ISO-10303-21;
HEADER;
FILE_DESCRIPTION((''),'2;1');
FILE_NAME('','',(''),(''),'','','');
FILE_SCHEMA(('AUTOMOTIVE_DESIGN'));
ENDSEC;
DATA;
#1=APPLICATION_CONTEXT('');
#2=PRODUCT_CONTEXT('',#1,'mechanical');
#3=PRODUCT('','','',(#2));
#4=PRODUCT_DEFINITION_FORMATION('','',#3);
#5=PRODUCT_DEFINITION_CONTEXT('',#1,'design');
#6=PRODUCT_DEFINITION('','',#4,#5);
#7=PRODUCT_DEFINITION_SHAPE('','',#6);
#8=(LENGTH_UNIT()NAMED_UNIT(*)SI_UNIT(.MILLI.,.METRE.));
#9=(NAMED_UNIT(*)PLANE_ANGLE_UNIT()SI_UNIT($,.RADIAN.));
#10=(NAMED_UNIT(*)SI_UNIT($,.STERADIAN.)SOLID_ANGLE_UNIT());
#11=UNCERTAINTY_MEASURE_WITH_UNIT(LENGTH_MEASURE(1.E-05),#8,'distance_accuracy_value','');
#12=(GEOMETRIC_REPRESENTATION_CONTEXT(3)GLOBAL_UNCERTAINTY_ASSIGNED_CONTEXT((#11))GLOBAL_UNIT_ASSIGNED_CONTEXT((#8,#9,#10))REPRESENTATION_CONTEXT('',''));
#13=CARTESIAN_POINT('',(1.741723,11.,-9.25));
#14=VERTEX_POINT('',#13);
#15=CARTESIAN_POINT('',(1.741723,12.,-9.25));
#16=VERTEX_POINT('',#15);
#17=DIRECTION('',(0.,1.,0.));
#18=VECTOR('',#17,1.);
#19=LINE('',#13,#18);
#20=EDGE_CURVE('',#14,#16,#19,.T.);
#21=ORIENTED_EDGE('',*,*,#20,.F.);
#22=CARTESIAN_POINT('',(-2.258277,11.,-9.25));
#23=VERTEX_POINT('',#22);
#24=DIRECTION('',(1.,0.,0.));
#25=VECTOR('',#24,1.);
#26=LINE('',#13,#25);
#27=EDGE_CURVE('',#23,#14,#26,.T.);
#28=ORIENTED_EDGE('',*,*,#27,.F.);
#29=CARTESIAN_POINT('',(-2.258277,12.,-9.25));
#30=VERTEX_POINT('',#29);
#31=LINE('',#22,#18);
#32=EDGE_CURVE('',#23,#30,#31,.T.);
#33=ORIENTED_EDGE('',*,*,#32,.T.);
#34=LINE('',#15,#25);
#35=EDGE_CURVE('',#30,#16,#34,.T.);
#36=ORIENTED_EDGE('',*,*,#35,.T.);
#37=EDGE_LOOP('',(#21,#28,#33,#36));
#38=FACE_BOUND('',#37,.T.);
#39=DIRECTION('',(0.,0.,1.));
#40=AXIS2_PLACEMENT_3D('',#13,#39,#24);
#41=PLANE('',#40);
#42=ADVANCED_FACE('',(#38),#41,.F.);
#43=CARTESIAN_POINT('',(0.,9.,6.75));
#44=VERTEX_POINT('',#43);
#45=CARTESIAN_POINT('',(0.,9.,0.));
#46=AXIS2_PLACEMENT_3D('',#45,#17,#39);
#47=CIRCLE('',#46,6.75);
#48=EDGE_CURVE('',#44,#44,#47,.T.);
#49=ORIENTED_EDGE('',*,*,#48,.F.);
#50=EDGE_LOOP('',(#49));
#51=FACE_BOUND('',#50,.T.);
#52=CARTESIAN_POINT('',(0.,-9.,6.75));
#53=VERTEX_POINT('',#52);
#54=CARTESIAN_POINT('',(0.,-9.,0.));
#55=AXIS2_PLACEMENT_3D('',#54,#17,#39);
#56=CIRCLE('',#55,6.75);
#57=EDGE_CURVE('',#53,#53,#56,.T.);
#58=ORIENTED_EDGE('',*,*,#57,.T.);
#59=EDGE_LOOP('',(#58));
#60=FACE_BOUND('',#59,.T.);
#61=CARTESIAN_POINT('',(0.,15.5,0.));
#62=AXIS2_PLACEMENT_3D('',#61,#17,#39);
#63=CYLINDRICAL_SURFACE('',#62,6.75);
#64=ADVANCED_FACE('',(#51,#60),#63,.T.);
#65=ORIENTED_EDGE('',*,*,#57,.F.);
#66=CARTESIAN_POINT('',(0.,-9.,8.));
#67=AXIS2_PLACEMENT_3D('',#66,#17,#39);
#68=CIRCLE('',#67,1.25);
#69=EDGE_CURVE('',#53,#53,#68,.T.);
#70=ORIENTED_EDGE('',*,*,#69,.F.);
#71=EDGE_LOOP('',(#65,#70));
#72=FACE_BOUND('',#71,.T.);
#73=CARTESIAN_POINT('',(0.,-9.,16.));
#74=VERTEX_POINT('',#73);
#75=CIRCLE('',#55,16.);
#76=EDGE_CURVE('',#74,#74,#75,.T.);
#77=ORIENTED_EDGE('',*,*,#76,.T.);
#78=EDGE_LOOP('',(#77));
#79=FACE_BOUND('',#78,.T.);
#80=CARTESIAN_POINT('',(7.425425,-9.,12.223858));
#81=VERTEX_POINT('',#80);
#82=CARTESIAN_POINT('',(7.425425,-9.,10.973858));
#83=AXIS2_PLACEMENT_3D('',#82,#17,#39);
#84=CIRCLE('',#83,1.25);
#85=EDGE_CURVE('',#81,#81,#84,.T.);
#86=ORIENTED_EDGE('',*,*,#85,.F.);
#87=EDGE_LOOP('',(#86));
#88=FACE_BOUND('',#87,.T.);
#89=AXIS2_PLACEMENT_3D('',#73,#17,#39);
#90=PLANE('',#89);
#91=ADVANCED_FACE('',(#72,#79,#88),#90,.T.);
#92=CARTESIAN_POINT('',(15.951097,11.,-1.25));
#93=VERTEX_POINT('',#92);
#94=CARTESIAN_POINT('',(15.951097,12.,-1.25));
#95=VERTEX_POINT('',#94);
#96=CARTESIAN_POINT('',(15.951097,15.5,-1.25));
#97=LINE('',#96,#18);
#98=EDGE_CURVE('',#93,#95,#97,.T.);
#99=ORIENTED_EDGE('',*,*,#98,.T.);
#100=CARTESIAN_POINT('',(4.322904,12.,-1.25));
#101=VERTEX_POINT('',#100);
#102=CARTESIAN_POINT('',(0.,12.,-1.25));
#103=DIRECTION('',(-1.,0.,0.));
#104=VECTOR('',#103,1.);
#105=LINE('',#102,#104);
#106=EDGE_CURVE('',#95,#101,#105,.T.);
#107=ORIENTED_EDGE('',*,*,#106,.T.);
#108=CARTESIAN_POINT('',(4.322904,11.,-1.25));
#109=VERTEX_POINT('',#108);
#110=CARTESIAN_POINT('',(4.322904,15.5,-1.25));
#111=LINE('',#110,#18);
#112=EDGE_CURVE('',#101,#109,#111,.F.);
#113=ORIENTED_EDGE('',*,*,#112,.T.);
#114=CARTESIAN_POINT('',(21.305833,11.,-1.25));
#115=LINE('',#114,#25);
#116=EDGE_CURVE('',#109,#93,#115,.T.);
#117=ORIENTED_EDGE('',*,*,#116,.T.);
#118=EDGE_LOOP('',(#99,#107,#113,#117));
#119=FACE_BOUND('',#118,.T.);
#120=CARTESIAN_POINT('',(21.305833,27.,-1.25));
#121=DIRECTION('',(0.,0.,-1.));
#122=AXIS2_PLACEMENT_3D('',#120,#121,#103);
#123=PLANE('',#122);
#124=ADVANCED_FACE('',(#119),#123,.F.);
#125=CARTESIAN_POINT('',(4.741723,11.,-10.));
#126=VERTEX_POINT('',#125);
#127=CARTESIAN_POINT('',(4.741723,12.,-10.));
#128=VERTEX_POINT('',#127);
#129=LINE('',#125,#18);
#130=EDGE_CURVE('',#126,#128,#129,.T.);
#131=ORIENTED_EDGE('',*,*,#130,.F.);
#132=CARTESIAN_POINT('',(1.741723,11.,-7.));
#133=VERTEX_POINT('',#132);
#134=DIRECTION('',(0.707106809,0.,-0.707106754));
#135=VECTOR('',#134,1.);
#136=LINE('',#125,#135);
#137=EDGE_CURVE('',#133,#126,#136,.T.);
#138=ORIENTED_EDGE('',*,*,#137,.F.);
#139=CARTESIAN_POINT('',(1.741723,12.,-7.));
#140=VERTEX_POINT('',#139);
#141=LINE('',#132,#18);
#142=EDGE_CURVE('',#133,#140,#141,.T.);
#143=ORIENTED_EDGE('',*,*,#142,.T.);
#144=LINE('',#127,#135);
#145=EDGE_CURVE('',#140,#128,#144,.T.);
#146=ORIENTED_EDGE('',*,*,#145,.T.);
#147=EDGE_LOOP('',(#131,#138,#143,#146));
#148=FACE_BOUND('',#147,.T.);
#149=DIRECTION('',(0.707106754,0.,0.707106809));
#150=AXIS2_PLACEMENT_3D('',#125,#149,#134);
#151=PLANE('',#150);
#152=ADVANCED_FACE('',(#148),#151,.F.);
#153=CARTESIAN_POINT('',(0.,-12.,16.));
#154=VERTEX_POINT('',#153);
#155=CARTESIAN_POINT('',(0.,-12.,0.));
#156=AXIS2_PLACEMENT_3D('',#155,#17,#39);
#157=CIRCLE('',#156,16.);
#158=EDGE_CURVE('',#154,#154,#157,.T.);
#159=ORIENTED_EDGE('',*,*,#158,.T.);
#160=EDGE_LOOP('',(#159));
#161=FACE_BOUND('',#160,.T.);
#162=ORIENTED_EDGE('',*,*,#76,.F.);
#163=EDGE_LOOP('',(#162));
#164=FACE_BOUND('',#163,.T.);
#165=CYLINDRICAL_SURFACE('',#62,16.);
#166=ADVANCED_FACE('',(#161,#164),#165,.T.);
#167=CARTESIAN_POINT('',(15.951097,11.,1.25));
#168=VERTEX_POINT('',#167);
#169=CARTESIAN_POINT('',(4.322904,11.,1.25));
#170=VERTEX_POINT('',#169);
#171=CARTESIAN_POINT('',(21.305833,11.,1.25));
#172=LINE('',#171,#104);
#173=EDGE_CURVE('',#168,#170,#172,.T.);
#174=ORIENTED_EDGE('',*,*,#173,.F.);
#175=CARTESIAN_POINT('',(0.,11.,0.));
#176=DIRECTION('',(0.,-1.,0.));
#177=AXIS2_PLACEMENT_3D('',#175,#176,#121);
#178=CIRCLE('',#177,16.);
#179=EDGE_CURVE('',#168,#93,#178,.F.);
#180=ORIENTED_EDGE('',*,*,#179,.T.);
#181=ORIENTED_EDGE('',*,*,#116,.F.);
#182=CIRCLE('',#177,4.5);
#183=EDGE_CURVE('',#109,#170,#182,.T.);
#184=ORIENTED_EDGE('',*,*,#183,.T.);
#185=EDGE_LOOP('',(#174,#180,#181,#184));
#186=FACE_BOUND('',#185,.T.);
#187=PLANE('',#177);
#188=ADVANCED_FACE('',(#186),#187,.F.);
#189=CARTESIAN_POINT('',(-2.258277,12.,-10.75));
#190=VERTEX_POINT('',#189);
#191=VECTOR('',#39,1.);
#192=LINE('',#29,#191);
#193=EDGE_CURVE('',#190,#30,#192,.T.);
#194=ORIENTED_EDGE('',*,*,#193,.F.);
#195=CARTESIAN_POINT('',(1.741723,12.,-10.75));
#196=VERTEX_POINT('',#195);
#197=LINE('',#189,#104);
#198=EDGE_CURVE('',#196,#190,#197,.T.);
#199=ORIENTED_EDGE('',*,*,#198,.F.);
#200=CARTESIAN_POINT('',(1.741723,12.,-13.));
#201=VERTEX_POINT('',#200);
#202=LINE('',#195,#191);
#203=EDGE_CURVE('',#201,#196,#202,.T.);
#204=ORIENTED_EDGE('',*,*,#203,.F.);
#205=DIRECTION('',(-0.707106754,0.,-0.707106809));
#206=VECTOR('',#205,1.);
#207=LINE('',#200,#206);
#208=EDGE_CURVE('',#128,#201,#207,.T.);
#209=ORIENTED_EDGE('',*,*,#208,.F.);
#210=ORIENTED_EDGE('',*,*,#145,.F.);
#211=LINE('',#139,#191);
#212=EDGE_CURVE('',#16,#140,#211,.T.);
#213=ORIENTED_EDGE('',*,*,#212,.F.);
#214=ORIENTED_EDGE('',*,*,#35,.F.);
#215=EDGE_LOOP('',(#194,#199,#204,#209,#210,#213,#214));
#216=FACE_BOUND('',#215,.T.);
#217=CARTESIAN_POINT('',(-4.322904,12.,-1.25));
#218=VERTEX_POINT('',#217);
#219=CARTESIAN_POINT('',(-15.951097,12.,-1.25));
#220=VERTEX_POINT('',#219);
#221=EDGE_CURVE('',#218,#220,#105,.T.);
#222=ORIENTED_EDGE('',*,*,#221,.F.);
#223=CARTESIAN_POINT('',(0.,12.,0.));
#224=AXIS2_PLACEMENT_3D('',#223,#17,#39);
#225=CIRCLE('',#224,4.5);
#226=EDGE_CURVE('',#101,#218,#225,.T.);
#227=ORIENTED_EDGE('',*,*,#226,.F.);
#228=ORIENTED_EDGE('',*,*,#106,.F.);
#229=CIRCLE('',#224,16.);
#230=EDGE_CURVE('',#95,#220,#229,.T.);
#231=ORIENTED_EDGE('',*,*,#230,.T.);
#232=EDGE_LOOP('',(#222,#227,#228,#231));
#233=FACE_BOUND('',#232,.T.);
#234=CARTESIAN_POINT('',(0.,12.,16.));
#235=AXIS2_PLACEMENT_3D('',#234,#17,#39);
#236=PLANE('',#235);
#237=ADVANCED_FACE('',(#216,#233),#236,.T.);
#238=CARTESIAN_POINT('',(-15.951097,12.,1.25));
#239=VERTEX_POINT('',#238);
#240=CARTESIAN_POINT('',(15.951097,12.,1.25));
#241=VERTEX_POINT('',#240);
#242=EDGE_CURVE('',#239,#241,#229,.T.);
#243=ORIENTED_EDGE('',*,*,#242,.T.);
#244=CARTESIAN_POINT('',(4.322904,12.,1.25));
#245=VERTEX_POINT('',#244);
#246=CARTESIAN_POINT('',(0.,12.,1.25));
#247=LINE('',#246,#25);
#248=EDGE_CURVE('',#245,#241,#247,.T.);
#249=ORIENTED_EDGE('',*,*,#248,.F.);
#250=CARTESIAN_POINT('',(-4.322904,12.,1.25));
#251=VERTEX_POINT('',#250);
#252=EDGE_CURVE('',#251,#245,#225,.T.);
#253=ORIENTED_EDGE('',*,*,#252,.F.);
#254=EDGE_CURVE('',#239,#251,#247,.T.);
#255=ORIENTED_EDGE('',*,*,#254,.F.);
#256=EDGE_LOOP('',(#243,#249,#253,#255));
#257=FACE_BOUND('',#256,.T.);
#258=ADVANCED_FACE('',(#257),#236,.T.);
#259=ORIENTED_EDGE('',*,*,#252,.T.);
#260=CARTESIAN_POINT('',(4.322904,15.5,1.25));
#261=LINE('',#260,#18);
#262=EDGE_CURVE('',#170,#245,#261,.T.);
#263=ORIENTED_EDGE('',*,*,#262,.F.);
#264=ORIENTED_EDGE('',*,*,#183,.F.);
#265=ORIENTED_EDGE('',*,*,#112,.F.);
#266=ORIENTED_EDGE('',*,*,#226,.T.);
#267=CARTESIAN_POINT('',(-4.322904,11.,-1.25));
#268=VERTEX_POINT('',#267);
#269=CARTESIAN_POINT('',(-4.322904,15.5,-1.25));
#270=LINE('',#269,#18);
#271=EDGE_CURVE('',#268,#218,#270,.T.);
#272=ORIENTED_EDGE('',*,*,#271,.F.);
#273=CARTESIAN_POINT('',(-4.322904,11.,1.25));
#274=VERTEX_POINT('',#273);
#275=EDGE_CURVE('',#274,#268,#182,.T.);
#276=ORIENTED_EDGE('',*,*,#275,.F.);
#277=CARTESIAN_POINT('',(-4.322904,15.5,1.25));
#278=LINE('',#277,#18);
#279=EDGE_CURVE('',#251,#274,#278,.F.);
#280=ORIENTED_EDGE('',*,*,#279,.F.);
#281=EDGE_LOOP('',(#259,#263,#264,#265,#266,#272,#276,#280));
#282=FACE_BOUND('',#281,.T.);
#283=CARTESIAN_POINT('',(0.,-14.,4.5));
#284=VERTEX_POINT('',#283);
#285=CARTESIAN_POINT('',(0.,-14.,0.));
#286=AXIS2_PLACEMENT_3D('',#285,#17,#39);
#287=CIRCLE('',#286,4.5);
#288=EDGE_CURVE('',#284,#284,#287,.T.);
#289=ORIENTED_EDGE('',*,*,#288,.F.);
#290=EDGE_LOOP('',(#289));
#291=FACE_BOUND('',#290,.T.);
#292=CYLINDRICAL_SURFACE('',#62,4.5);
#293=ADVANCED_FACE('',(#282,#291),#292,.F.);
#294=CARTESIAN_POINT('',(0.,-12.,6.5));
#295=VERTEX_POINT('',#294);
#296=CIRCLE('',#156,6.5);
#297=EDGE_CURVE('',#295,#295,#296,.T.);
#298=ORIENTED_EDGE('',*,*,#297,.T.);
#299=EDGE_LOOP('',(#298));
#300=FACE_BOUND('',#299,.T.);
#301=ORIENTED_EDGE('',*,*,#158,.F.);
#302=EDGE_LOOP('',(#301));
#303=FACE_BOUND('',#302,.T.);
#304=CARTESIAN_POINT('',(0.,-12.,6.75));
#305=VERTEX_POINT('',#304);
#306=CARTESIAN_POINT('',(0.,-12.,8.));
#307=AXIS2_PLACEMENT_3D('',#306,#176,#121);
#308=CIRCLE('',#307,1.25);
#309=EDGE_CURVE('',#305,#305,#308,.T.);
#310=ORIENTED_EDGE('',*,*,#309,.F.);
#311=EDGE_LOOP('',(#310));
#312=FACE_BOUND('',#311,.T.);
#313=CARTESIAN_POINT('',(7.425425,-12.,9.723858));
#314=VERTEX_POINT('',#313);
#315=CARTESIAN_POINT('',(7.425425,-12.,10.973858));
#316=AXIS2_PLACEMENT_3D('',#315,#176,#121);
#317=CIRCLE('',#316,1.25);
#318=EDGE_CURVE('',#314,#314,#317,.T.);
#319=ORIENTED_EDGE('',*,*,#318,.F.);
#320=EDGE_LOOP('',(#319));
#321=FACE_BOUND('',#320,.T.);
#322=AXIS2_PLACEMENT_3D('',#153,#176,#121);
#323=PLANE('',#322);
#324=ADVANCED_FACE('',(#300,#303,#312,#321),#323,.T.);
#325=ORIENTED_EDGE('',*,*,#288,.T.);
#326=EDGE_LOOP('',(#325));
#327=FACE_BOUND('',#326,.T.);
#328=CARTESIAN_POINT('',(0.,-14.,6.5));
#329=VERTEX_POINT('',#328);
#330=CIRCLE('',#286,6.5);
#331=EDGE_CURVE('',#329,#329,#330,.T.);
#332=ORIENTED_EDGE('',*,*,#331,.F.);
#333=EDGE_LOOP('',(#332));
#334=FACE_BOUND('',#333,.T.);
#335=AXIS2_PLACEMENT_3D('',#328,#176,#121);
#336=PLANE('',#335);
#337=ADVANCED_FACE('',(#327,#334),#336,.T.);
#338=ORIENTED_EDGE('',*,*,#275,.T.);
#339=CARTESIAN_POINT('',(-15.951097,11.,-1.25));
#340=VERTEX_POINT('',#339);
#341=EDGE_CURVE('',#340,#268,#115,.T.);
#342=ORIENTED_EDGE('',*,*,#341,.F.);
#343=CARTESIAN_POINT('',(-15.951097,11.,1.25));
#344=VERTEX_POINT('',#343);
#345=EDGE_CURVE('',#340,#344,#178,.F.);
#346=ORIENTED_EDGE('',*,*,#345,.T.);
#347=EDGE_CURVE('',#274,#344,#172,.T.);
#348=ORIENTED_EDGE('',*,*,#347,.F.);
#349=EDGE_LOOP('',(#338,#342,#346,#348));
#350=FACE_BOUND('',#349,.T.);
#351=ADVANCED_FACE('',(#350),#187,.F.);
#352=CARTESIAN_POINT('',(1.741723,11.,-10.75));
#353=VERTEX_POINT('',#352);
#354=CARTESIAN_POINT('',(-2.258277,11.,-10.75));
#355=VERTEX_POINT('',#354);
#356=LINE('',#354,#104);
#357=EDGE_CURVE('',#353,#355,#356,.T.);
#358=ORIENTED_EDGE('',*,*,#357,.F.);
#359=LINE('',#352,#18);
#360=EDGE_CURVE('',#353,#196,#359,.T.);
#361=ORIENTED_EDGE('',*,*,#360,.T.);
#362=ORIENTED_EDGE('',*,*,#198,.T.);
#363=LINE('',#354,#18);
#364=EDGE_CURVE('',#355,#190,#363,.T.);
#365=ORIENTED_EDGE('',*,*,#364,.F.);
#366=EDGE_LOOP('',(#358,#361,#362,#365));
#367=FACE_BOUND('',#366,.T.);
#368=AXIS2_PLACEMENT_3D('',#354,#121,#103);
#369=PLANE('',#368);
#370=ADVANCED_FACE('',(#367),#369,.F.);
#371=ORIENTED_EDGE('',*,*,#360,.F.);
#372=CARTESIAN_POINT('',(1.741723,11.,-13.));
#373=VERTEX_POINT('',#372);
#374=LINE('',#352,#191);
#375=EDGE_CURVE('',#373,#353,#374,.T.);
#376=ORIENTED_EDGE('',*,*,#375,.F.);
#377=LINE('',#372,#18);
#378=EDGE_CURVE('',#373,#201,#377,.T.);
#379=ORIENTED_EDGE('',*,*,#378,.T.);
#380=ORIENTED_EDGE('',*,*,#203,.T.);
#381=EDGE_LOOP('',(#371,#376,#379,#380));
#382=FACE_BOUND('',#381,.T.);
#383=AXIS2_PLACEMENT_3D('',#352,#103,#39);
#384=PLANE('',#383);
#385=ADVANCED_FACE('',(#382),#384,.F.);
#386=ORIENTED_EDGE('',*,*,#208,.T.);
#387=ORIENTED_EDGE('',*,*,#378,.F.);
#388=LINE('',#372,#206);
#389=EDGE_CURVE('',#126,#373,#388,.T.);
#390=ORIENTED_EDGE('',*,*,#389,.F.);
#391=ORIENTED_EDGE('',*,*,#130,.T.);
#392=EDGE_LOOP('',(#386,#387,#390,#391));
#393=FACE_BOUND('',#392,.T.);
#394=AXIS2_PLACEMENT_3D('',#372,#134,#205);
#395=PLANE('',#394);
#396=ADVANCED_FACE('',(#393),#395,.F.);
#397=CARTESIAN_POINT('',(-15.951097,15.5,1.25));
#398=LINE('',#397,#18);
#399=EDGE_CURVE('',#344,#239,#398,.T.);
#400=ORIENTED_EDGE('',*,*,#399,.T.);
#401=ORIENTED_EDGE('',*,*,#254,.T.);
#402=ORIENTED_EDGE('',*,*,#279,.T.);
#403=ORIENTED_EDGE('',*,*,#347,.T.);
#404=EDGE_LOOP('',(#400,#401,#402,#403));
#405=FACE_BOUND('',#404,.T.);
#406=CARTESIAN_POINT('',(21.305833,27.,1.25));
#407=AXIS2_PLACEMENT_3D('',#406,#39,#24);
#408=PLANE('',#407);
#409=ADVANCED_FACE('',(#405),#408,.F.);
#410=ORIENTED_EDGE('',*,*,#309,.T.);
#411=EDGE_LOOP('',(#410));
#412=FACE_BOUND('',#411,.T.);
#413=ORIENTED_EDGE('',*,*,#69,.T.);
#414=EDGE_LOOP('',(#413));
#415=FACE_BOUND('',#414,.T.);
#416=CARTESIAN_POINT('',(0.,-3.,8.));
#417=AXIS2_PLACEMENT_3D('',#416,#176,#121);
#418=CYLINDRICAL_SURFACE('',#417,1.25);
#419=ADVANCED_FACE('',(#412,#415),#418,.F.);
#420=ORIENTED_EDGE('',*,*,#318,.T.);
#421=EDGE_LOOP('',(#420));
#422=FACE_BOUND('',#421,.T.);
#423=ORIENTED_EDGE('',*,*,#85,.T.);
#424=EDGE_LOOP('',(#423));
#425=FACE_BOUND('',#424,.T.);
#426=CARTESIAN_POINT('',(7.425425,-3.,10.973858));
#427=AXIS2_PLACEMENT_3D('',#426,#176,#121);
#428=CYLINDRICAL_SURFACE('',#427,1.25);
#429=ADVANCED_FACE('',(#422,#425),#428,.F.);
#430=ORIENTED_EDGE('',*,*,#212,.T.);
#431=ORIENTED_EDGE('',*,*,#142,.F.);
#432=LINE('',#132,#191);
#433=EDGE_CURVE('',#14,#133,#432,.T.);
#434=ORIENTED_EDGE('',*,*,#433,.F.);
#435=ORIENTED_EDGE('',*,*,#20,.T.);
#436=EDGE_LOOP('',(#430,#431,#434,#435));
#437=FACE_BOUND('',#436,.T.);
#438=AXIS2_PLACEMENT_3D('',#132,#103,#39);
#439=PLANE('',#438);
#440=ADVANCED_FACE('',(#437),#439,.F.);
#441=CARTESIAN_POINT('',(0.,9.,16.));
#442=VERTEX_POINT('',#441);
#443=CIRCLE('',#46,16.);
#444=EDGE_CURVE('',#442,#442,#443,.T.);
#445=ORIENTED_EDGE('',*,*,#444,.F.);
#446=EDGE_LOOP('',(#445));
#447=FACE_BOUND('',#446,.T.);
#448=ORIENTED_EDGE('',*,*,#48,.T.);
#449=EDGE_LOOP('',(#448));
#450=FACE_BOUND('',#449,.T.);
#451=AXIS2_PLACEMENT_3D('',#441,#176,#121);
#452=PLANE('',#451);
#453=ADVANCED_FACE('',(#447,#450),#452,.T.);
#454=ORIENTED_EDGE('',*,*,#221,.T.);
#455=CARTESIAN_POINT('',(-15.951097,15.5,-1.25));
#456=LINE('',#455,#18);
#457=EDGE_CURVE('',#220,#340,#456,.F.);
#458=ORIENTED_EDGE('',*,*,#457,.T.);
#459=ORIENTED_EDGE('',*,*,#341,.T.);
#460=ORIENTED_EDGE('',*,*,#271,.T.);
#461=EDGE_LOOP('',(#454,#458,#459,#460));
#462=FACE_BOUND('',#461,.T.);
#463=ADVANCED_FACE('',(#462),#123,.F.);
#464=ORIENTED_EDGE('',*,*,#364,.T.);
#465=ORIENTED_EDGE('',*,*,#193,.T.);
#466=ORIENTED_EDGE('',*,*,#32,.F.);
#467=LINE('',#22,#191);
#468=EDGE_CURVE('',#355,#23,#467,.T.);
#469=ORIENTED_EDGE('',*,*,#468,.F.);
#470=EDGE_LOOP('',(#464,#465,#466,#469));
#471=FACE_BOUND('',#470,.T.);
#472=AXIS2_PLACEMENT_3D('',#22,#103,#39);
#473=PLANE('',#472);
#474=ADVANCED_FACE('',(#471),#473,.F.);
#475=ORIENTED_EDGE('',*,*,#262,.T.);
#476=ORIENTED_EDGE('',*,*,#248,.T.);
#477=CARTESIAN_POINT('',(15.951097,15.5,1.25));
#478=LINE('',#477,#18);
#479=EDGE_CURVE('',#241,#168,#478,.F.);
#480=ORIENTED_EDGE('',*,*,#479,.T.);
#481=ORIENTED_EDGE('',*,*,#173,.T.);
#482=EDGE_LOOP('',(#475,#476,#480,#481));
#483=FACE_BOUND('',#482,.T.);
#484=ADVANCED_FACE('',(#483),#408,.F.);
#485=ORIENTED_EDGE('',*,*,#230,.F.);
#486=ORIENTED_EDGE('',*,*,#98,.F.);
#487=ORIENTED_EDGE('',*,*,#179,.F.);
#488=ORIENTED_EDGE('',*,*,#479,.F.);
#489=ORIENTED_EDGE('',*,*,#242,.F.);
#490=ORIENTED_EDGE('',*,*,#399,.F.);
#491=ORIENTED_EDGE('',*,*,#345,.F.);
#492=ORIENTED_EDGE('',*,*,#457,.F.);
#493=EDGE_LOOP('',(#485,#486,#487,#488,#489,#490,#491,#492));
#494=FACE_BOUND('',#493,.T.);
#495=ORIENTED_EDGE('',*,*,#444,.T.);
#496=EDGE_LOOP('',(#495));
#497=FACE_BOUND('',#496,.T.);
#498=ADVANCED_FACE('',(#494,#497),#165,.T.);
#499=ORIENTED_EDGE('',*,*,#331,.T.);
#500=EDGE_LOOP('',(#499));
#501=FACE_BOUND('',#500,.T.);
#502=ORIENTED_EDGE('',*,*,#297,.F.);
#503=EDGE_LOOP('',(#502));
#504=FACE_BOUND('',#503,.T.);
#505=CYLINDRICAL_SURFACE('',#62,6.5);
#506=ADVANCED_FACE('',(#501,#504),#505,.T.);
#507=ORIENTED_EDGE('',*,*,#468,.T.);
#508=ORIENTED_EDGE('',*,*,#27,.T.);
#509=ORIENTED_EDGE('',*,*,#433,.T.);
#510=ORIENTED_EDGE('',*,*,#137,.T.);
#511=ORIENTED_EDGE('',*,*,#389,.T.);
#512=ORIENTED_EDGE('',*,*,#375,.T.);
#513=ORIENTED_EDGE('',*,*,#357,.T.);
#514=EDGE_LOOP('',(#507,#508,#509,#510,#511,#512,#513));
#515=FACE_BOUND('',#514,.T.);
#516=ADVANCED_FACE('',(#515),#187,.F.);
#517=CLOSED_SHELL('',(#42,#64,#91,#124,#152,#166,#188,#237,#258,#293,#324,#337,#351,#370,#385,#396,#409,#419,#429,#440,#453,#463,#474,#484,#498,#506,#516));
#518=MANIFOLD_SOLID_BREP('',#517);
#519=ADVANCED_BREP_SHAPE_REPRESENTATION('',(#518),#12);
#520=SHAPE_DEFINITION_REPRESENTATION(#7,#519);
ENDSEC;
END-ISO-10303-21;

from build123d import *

# Parameters (mm, degrees)
SKETCH3_R               = 1.25
CUT_EXTRUDE1_DEPTH      = 9
CUT_EXTRUDE2_DEPTH      = 1
CUT_EXTRUDE3_DEPTH      = 15
CUT_EXTRUDE3_DEPTH_BACK = 1
CUT_EXTRUDE3_START      = -40
SKETCH5_W               = 42.611665196
SKETCH5_H               = 2.5


with BuildPart() as part:
    # Sketch2 → Revolve1 (revolve)
    with BuildSketch(Plane(origin=(0, 0, 0), x_dir=(0, 0, -1), z_dir=(1, 0, 0))):
        Polygon((-16, 12), (-16, 9), (-6.75, 9), (-6.75, -9), (-16, -9), (-16, -12), (-6.5, -12), (-6.5, -14), (-4.5, -14), (-4.5, -12), (-4.5, 12), align=None)
    revolve(axis=Axis((0, 15.5, 0), (0, -1, 0)))

    # Sketch3 → Cut-Extrude1 (cut)
    with BuildSketch(Plane.XZ.offset(12)):
        with Locations(Location((0, 8, 0), (0, 0, 270))):
            Circle(SKETCH3_R)
        with Locations(Location((7.425425002, 10.973858189, 0), (0, 0, 270))):
            Circle(SKETCH3_R)
    extrude(amount=-CUT_EXTRUDE1_DEPTH, mode=Mode.SUBTRACT)

    # Sketch4 → Cut-Extrude2 (cut)
    with BuildSketch(Plane(origin=(0, 12, 0), x_dir=(1, 0, 0), z_dir=(0, 1, 0))):
        Polygon((-2.25827734, 10.75), (1.74172266, 10.75), (1.74172266, 13.000000233), (4.74172266, 10), (1.74172266, 7.000000233), (1.74172266, 9.25), (-2.25827734, 9.25), align=None)
    extrude(amount=-CUT_EXTRUDE2_DEPTH, mode=Mode.SUBTRACT)

    # Sketch5 → Cut-Extrude3 (cut, two sides: drawn at the far end of the back side and taken through both)
    with BuildSketch(Plane.XZ.offset(14).offset(CUT_EXTRUDE3_START - CUT_EXTRUDE3_DEPTH_BACK)):
        Rectangle(SKETCH5_W, SKETCH5_H)
    extrude(amount=CUT_EXTRUDE3_DEPTH + CUT_EXTRUDE3_DEPTH_BACK, mode=Mode.SUBTRACT)


solid = part.part
